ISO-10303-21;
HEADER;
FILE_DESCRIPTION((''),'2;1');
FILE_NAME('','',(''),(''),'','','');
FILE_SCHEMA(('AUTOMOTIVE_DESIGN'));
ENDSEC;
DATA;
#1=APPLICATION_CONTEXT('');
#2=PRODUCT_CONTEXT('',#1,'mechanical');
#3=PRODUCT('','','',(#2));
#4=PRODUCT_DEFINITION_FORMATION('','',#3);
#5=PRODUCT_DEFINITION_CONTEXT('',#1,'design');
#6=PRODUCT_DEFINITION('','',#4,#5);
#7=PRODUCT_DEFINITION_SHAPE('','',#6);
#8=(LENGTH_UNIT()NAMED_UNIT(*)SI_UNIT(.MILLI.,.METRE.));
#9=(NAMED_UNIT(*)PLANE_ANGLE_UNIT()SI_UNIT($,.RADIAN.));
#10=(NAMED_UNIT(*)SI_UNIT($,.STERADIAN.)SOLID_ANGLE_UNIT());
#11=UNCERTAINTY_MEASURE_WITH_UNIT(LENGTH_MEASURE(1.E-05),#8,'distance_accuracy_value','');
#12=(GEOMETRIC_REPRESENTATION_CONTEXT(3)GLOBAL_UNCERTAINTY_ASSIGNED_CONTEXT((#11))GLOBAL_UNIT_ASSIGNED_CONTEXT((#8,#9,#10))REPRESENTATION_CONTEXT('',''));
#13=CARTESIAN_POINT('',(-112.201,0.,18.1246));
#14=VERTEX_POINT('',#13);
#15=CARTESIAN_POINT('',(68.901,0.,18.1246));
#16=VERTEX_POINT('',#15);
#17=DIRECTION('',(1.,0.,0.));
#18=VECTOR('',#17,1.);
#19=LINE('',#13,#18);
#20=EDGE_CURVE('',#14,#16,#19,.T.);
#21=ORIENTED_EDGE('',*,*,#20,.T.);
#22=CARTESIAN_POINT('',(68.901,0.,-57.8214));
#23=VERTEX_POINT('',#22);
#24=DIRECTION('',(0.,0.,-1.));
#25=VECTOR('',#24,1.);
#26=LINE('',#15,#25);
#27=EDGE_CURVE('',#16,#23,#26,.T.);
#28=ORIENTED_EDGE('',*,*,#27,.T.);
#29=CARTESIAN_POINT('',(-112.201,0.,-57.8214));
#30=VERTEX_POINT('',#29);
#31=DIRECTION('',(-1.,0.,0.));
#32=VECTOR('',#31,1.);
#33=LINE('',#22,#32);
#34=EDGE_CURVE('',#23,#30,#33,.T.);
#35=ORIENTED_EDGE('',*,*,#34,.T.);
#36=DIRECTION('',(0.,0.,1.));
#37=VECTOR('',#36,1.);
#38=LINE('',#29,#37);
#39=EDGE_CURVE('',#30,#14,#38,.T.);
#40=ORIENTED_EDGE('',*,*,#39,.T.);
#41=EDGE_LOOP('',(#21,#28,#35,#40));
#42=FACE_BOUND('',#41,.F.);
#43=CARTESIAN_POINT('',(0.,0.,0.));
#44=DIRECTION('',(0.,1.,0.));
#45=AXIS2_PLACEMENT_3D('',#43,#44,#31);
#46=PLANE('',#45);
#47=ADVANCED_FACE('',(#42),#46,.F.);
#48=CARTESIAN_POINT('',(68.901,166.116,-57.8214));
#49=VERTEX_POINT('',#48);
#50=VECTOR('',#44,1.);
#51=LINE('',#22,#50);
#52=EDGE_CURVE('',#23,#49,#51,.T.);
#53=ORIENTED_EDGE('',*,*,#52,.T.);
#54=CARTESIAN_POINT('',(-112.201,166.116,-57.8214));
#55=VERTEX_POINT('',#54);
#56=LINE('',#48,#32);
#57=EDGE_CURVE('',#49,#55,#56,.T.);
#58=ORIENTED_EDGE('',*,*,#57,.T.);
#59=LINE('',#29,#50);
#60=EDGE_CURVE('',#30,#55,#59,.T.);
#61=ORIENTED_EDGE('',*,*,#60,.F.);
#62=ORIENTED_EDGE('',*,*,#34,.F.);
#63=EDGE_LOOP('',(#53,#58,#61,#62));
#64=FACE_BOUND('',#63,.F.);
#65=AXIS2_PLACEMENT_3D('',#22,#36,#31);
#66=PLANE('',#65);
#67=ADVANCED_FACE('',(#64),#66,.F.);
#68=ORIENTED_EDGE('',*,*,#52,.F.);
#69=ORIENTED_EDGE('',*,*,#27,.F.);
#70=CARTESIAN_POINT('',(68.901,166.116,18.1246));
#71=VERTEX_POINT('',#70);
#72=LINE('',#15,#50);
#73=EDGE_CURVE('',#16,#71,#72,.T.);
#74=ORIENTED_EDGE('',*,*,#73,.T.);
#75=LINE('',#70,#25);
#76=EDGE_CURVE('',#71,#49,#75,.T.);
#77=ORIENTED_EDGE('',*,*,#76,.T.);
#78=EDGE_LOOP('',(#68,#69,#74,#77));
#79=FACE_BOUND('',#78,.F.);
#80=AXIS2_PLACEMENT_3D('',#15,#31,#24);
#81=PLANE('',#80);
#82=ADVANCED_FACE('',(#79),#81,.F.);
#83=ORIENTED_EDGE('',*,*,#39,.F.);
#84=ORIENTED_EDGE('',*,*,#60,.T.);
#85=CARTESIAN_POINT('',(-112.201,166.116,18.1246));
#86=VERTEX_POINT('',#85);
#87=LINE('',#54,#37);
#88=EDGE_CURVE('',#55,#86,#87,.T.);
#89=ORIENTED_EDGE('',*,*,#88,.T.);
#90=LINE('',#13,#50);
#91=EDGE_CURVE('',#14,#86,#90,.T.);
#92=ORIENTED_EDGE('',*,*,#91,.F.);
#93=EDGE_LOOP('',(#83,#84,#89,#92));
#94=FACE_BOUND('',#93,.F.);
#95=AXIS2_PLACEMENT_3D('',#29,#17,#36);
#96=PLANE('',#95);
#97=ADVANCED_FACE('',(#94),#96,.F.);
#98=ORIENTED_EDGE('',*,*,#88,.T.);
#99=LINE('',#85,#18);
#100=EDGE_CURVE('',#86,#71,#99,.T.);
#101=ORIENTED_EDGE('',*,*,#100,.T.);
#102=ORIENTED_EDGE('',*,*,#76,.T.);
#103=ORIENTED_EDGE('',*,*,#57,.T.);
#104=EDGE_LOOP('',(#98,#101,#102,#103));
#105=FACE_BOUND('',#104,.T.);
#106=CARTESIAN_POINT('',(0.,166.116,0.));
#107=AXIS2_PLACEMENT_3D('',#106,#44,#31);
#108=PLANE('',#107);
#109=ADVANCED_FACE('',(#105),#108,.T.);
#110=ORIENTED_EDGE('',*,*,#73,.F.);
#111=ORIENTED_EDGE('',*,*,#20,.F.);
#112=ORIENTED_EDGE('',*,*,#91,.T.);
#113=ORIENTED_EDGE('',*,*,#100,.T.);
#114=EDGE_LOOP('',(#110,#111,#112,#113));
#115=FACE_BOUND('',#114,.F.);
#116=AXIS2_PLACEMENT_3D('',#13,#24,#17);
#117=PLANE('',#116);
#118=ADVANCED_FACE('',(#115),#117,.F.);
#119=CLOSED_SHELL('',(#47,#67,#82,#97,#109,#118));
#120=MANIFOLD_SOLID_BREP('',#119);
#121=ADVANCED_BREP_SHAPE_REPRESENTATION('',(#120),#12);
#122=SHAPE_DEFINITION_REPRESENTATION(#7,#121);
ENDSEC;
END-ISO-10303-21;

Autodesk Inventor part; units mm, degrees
ref_plane "YZ Plane" through (0, 0, 0) normal (1, 0, 0) x (0, 1, 0)
ref_plane "XZ Plane" through (0, 0, 0) normal (0, 1, 0) x (-1, 0, 0)
ref_plane "XY Plane" through (0, 0, 0) normal (0, 0, 1) x (1, 0, 0)
sketch "Sketch1" plane through (0, 0, 0) normal (0, 1, 0) x (-1, 0, 0)
  line L0 (112.201, 18.1246) -> (-68.901, 18.1246)
  line L1 (-68.901, 18.1246) -> (-68.901, -57.8214)
  line L2 (-68.901, -57.8214) -> (112.201, -57.8214)
  line L3 (112.201, -57.8214) -> (112.201, 18.1246)
  point P0 (0, 0)
  dimension "d1" = 75.946
  dimension "d2" = 181.102
extrude "Extrusion1" add sketch "Sketch1" along normal blind 166.116
sketch "Sketch2" plane through (-112.201, 0, 18.1246) normal (0, 0, 1) x (1, 0, 0)
  line L0 (37.6027, 115.8938) -> (148.168, 115.8938) construction
  line L1 (148.168, 115.8938) -> (148.168, 46.6239) construction
  line L2 (148.168, 46.6239) -> (37.6027, 46.6239) construction
  line L3 (37.6027, 46.6239) -> (37.6027, 115.8938) construction
  point P0 (112.201, 0)
sketch "Sketch3" plane through (0, 166.116, 0) normal (0, 1, 0) x (1, 0, 0)
  line L0 (-69.2699, 45.7359) -> (2.6642, 45.7359) construction
  line L1 (2.6642, 45.7359) -> (2.6642, 11.989) construction
  line L2 (2.6642, 11.989) -> (-69.2699, 11.989) construction
  line L3 (-69.2699, 11.989) -> (-69.2699, 45.7359) construction
  point P0 (0, 0)
equation "\"d1\" = BatteryWidth"
equation "\"d2\" = BatteryLength"
equation "\"d3\" = BatteryHeight"
equation "\"BatteryLength\" = 181.102"
equation "\"BatteryWidth\" = 75.946"
equation "\"BatteryHeight\" = 166.116"
properties part number "GLVBattery"
